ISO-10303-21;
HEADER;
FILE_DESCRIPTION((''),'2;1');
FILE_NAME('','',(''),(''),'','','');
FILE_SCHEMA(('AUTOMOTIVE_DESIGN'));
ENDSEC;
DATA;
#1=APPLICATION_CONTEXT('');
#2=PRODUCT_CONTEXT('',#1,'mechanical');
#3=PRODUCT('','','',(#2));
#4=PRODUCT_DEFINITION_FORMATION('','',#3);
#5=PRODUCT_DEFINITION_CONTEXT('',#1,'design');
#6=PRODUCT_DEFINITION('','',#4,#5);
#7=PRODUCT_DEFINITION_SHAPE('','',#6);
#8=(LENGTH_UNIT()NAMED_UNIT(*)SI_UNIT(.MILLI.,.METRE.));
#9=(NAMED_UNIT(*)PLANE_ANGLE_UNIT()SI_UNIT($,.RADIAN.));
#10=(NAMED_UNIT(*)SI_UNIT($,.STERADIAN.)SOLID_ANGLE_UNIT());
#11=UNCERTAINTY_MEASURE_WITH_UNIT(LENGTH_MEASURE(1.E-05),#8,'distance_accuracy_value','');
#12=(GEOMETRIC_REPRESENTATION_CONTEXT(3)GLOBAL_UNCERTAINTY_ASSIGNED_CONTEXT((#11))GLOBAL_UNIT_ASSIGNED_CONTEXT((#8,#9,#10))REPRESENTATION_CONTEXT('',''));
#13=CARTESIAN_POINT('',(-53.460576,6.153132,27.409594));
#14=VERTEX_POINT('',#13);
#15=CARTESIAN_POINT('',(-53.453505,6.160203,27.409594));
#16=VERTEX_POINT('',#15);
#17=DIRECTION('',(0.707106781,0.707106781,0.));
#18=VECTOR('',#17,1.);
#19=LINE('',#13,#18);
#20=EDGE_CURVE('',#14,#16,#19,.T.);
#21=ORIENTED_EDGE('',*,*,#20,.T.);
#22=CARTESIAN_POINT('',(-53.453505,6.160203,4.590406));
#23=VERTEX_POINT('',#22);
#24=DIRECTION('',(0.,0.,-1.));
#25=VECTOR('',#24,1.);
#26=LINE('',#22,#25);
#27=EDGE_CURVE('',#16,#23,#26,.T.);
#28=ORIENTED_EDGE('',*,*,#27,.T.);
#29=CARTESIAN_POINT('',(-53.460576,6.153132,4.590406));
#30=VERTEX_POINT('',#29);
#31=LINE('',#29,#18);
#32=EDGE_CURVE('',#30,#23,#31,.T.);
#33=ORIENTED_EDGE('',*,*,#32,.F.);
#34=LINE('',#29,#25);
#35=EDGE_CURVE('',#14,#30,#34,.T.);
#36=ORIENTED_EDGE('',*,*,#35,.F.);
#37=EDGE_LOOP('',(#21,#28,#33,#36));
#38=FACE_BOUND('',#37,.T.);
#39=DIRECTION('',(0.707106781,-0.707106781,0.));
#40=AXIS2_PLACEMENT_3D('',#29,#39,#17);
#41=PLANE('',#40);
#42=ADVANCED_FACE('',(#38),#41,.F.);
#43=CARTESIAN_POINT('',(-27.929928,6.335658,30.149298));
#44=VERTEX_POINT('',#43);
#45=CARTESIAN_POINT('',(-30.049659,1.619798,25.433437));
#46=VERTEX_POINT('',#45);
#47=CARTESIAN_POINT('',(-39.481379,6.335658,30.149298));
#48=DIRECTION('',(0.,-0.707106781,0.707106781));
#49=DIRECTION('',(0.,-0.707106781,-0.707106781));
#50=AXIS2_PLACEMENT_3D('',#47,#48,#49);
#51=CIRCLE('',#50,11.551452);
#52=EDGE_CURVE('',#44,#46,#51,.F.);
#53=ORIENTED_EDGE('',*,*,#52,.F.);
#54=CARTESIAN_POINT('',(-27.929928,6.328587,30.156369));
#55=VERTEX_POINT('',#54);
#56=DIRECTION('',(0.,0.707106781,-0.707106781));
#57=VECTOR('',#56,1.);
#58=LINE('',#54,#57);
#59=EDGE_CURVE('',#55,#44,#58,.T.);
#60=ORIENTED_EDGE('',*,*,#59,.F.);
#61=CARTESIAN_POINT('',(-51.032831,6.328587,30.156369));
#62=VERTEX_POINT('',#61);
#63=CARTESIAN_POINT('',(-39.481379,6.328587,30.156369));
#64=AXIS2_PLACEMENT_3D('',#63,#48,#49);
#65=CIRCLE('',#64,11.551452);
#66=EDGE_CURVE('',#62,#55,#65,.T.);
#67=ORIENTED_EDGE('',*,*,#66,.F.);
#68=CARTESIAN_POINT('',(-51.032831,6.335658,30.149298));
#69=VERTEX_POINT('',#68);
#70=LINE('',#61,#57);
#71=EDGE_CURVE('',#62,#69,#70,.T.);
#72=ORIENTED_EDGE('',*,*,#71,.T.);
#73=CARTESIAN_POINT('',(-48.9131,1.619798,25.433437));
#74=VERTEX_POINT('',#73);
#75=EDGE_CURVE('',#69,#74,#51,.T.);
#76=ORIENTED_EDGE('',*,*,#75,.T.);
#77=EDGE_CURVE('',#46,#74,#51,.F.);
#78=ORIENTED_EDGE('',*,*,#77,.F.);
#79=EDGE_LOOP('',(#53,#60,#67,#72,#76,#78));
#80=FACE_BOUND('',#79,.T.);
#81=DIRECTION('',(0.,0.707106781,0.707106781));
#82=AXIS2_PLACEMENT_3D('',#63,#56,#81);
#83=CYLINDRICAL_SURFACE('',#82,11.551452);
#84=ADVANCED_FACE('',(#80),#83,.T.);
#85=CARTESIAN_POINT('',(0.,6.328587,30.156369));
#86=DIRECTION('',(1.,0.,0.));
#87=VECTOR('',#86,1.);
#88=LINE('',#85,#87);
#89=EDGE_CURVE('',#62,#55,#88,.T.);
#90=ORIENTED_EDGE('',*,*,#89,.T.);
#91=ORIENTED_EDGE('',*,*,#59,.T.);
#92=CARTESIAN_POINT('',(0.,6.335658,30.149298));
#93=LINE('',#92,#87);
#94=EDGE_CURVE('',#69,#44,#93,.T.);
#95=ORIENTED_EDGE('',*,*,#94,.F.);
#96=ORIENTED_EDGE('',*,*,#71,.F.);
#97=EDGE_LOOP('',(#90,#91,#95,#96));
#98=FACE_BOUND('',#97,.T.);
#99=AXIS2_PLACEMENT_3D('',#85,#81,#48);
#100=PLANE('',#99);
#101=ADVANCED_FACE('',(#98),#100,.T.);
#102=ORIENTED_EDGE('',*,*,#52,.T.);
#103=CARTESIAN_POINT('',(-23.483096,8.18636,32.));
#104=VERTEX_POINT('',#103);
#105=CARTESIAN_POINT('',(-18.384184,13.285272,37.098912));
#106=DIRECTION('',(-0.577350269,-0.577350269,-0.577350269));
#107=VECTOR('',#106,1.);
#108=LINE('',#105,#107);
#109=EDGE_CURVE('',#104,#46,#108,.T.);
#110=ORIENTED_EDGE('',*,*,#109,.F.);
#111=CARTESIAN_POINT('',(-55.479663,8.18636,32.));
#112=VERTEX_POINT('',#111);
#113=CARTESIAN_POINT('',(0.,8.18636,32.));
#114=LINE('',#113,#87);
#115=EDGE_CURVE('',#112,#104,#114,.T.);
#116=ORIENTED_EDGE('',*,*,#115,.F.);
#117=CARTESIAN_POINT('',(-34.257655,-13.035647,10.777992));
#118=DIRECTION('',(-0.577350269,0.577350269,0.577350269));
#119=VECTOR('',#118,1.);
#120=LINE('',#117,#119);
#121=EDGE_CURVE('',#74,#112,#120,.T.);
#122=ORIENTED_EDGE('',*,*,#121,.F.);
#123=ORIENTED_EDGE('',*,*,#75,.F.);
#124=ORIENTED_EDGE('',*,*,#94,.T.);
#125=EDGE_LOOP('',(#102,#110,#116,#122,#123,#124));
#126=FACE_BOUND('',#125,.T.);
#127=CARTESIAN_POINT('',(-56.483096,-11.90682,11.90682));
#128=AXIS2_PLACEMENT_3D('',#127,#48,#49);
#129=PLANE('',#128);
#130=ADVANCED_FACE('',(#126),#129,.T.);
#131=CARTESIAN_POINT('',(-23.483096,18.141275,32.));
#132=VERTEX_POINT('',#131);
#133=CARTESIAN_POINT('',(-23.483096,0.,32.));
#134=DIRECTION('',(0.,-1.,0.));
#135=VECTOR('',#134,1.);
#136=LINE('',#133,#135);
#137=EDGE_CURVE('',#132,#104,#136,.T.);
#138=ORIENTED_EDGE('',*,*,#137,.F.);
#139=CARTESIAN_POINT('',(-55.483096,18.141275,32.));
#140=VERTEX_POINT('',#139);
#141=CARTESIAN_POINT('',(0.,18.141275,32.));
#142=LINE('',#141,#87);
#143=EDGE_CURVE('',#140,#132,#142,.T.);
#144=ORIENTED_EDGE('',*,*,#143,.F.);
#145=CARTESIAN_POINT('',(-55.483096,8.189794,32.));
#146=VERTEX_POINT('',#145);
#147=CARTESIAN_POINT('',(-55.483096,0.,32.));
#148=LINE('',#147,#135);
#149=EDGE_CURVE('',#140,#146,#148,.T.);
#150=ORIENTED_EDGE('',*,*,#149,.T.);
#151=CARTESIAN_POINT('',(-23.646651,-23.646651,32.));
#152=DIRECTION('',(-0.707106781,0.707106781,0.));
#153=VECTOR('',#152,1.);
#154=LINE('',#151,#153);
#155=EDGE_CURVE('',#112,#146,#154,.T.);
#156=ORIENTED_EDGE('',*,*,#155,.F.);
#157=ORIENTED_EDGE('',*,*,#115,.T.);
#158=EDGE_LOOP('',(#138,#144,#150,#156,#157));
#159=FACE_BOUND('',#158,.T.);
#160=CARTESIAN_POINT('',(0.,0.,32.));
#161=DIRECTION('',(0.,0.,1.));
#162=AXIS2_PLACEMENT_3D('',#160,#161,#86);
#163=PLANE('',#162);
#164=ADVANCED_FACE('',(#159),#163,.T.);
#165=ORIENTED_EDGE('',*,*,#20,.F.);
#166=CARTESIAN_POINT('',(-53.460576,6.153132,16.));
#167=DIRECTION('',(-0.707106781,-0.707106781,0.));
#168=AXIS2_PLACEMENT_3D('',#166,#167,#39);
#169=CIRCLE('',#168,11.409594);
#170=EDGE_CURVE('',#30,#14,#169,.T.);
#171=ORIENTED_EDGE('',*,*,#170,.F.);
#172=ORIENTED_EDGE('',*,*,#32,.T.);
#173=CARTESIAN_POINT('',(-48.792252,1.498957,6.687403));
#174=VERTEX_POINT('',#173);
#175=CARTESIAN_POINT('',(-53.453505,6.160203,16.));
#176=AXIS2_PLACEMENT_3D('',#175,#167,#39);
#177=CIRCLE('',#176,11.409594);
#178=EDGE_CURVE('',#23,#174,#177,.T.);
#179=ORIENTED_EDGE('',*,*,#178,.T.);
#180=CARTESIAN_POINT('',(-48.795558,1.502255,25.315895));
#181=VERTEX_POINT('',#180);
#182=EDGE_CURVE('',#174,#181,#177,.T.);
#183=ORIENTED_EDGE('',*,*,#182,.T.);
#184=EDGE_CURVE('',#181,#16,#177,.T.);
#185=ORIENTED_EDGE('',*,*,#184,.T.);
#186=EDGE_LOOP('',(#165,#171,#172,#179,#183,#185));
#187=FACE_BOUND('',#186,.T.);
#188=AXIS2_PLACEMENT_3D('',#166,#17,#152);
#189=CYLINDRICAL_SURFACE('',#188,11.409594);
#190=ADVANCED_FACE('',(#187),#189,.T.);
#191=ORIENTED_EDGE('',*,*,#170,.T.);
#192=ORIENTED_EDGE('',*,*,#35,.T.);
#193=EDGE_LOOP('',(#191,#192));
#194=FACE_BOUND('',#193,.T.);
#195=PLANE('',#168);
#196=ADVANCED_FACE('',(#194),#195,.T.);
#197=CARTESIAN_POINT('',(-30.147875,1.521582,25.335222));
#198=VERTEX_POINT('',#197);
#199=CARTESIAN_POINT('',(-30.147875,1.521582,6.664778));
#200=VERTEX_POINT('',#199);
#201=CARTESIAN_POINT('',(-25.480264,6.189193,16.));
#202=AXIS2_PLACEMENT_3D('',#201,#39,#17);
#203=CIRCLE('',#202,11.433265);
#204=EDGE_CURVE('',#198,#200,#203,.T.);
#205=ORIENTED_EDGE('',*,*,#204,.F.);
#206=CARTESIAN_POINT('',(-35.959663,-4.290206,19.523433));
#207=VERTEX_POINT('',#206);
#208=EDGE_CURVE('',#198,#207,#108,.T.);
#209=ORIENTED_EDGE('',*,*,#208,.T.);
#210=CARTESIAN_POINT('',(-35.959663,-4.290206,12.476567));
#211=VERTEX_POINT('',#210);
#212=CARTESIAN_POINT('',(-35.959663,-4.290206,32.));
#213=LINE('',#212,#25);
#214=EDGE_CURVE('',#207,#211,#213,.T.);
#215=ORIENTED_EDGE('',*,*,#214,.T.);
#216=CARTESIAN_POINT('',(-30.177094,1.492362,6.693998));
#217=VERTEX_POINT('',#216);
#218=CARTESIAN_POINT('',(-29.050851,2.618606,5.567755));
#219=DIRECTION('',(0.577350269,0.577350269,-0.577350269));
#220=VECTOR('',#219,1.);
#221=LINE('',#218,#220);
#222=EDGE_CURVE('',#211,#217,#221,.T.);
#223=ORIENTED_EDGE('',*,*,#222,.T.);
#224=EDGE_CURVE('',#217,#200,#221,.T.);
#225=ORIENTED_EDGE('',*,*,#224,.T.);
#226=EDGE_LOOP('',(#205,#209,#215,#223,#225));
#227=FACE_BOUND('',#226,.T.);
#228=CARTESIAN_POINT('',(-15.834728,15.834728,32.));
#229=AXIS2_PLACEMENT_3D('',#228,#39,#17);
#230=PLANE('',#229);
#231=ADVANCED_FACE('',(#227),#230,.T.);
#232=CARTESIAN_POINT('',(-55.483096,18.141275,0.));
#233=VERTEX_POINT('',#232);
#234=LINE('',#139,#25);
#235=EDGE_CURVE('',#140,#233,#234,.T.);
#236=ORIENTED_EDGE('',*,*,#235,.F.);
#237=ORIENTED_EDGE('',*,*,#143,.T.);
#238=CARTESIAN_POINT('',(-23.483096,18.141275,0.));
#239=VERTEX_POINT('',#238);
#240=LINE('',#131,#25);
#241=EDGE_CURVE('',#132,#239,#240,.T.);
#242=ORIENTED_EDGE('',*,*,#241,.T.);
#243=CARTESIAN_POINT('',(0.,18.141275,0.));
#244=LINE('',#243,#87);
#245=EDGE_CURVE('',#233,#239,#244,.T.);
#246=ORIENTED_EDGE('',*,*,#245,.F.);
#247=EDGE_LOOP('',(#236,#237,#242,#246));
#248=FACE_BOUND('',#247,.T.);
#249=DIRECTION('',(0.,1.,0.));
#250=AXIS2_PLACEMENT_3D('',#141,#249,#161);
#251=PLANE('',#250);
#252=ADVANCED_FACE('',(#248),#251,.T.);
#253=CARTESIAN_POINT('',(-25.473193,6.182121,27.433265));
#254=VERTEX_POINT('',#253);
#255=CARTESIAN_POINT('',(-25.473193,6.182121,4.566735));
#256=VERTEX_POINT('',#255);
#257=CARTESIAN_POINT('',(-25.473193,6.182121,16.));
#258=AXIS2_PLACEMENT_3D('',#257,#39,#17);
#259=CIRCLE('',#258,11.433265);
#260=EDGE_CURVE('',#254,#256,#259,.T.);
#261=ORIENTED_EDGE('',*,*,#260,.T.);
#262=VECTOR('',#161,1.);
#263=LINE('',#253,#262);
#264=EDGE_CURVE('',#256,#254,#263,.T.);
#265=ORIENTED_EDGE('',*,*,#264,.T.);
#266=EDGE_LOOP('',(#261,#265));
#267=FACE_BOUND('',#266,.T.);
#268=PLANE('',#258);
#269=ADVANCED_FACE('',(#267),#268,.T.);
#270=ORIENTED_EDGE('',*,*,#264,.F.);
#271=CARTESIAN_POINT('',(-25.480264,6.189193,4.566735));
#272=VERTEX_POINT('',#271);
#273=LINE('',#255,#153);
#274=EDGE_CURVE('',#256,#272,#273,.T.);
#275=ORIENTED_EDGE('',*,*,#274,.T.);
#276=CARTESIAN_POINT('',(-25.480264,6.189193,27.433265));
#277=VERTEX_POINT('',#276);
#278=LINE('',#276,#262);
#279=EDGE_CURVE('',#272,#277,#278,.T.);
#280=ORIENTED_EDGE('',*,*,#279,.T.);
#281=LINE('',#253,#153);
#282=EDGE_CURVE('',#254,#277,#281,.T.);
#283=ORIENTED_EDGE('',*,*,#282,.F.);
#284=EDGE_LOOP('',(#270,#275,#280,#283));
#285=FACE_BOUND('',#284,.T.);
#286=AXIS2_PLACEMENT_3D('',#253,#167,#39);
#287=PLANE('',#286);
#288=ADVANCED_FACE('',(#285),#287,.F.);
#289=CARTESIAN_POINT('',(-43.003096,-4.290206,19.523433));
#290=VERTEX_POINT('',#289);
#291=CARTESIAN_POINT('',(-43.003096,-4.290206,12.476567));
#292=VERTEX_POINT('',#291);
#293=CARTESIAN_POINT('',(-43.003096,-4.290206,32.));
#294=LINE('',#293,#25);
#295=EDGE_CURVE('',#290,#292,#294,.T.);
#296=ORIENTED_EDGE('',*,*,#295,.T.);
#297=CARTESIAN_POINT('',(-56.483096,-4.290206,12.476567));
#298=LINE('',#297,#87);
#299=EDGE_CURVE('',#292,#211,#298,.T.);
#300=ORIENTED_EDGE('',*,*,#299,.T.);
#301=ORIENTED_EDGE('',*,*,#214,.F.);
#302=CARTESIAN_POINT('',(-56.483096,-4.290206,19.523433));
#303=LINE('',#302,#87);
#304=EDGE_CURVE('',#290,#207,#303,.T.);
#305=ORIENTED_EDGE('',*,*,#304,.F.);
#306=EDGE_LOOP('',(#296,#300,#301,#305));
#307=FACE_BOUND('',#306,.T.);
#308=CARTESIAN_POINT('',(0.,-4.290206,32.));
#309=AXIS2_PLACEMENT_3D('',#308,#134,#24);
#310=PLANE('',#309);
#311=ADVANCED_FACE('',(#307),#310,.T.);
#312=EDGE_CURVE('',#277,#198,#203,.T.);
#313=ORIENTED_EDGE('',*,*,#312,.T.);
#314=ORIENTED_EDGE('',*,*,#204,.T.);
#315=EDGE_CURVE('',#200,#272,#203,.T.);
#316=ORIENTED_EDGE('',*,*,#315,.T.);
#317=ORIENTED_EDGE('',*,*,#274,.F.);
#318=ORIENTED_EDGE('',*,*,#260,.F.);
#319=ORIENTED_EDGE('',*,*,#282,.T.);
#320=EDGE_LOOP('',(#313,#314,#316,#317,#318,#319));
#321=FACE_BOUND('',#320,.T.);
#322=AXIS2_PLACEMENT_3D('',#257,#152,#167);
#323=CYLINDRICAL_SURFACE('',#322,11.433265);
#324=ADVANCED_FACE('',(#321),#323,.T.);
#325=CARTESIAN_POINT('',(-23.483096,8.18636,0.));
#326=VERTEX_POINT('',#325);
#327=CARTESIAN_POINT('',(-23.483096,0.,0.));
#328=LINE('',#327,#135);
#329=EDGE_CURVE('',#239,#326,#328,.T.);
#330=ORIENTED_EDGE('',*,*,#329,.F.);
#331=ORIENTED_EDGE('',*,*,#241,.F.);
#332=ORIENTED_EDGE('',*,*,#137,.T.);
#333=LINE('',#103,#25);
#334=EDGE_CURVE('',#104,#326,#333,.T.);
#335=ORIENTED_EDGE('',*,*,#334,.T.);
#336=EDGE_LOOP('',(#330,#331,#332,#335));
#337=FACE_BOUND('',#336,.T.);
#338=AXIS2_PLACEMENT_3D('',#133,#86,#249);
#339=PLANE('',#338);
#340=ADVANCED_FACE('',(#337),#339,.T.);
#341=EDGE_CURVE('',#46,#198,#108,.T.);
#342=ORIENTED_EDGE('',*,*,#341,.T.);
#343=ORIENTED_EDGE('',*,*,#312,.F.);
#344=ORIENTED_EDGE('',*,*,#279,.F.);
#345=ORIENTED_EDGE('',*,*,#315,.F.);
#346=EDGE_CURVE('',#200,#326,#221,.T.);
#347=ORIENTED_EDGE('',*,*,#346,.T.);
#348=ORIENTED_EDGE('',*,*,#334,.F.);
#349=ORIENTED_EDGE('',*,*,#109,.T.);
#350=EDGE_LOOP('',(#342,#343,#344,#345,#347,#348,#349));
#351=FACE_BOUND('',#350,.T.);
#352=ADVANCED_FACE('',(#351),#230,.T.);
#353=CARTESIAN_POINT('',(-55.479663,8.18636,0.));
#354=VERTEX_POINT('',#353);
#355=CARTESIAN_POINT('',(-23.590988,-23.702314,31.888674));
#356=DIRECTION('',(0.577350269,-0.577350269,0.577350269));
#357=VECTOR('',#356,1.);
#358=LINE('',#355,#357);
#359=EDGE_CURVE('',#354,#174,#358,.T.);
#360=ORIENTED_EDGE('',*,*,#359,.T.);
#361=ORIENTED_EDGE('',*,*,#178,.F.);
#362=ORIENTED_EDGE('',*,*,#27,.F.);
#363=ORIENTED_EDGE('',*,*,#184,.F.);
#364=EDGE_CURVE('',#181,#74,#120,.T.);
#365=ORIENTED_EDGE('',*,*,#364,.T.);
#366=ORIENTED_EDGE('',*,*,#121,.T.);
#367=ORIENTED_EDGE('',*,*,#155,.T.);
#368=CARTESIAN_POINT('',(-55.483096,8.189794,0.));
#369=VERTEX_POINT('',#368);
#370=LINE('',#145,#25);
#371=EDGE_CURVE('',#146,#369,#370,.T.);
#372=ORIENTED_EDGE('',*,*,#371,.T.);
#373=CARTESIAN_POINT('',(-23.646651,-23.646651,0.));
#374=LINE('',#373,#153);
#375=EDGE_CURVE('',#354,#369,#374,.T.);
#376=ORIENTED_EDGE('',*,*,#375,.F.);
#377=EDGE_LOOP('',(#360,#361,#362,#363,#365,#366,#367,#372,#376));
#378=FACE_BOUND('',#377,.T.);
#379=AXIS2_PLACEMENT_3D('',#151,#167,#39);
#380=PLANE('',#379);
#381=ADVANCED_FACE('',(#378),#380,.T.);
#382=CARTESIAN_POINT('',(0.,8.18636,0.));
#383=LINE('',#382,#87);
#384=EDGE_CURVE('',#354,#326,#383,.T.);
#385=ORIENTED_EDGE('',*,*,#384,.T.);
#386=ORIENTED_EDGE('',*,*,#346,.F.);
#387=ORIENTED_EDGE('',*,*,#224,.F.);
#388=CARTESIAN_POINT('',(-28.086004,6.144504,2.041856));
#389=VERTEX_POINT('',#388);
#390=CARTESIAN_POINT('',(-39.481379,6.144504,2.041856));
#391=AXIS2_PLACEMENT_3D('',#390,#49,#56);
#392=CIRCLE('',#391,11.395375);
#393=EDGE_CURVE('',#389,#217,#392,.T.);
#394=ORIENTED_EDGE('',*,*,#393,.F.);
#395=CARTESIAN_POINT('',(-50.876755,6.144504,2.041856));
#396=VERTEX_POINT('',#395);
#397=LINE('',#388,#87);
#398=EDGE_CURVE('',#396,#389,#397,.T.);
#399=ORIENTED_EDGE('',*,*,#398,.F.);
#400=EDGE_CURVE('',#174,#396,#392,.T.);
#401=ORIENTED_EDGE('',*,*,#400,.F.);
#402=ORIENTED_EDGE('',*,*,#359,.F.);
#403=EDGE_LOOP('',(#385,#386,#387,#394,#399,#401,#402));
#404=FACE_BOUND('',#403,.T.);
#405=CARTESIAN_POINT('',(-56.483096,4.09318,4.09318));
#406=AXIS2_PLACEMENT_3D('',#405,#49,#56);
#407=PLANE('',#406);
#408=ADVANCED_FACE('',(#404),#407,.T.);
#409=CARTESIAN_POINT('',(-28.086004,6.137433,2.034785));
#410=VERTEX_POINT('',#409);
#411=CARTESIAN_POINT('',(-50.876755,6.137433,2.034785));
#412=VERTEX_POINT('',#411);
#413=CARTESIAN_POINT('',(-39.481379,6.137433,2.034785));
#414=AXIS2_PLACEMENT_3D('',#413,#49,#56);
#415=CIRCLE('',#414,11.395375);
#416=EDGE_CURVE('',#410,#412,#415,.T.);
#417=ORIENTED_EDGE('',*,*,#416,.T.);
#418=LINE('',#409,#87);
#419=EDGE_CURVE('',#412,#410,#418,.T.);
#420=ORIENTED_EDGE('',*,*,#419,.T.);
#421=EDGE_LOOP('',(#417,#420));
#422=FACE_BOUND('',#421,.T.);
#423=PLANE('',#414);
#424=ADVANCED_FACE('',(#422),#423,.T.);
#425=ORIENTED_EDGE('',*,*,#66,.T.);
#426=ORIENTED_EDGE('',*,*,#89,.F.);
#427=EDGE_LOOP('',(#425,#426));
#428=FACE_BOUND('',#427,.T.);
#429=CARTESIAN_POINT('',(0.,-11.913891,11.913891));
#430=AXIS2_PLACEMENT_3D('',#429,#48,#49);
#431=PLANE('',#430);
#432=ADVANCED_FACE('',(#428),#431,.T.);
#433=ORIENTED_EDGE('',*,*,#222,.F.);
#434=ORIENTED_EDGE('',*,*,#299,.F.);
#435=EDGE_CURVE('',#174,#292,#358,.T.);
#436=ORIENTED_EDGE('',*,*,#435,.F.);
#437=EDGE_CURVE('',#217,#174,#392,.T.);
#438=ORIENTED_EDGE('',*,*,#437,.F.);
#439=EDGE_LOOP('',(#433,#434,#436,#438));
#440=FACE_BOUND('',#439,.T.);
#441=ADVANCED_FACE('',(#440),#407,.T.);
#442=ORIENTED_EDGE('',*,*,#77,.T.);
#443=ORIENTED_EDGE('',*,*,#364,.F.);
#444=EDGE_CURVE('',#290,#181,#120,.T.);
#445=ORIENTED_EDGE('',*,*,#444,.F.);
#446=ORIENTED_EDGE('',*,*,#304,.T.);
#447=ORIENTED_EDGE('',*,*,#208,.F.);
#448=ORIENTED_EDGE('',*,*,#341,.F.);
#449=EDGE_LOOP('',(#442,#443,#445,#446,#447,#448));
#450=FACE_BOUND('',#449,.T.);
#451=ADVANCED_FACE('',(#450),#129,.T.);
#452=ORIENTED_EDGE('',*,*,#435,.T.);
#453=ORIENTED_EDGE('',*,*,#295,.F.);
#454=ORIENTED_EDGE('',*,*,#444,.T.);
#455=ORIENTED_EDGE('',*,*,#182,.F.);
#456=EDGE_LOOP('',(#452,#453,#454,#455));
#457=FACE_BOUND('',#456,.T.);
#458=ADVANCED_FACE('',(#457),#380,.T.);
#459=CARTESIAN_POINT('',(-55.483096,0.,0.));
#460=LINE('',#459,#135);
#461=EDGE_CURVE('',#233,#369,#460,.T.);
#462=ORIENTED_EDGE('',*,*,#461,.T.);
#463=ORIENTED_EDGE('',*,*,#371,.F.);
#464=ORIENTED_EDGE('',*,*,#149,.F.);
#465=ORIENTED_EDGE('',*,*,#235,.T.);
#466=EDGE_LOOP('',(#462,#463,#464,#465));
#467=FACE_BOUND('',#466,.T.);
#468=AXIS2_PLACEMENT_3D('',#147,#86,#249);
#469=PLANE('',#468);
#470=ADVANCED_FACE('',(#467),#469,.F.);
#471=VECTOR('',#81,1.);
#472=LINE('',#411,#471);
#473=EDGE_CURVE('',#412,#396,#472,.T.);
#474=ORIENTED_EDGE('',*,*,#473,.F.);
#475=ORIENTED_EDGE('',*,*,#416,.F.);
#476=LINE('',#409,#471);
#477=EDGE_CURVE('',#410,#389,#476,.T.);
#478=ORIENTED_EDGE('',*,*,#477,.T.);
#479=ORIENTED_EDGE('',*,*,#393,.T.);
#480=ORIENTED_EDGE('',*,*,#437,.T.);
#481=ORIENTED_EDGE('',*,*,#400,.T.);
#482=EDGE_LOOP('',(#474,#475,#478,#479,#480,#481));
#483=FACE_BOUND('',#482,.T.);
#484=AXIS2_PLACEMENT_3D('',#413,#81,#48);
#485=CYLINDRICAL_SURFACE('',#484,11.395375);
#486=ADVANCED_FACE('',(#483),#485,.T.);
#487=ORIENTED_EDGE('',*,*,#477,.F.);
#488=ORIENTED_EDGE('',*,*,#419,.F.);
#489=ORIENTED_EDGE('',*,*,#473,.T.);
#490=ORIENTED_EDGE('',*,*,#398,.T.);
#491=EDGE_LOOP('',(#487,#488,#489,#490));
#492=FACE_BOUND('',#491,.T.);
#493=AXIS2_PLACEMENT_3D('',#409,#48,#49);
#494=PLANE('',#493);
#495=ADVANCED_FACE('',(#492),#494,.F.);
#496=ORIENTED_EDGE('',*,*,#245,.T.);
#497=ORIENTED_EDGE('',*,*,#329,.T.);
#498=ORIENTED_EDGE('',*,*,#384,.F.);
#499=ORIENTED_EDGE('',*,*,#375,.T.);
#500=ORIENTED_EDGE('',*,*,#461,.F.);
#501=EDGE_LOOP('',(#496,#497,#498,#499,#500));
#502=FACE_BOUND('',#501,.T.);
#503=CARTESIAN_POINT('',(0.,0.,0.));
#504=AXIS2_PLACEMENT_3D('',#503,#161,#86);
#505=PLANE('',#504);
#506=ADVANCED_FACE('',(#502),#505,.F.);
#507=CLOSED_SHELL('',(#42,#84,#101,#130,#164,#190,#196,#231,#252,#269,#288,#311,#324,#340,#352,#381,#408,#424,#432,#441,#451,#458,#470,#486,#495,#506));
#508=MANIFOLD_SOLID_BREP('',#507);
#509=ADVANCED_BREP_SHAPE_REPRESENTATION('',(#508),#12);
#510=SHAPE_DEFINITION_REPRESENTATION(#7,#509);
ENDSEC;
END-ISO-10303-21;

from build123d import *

# Parameters (mm, degrees)
SALIENTE_EXTRUIR1_DEPTH = 32
CORTAR_EXTRUIR2_DEPTH   = 33
SALIENTE_EXTRUIR2_DEPTH = 0.01
SALIENTE_EXTRUIR3_DEPTH = 0.01
SALIENTE_EXTRUIR5_DEPTH = 0.01
SALIENTE_EXTRUIR6_DEPTH = 0.01


with BuildPart() as part:
    # Croquis1 → Saliente-Extruir1 (new body)
    with BuildSketch(Plane.XY):
        Polygon((-23.483096056, 8.186360271), (-55.483096056, 8.189793686), (-55.483096056, 18.141275036), (-23.483096056, 18.141275036), align=None)
        Polygon((-23.483096056, 8.186360271), (-35.959662641, -4.290206314), (-43.003096056, -4.290206314), (-55.483096056, 8.189793686), align=None)
    extrude(amount=SALIENTE_EXTRUIR1_DEPTH)

    # Croquis2 → Cortar-Extruir2 (cut)
    with BuildSketch(Plane(origin=(-23.483096056, 0, 0), x_dir=(0, 0, -1), z_dir=(1, 0, 0))):
        Polygon((-12.476566586, -4.290206314), (0, -4.290206314), (0, 8.186360271), align=None)
        Polygon((-32, -4.290206314), (-32, 8.186360271), (-19.523433414, -4.290206314), align=None)
    extrude(amount=-CORTAR_EXTRUIR2_DEPTH, mode=Mode.SUBTRACT)

    # Croquis3 → Saliente-Extruir2 (add)
    with BuildSketch(Plane(origin=(0, 4.093180136, 4.093180136), x_dir=(-1, 0, 0), z_dir=(0, -0.707106781, -0.707106781))):
        with BuildLine():
            Line((28.08600417, 2.901010434), (50.876754527, 2.901010434))
            ThreePointArc((50.876754527, 2.901010434), (39.481379348, -8.494364744), (28.08600417, 2.901010434))
        make_face()
    extrude(amount=SALIENTE_EXTRUIR2_DEPTH)

    # Croquis4 → Saliente-Extruir3 (add)
    with BuildSketch(Plane(origin=(-15.834728163, 15.834728163, 0), x_dir=(-0.707106781, -0.707106781, 0), z_dir=(0.707106781, -0.707106781, 0))):
        with BuildLine():
            Line((13.640847296, -27.43326467), (13.640847296, -4.56673533))
            ThreePointArc((13.640847296, -4.56673533), (25.074111966, -16), (13.640847296, -27.43326467))
        make_face()
    extrude(amount=SALIENTE_EXTRUIR3_DEPTH)

    # Croquis5 → Saliente-Extruir5 (add)
    with BuildSketch(Plane(origin=(0, -11.906819864, 11.906819864), x_dir=(1, 0, 0), z_dir=(0, -0.707106781, 0.707106781))):
        with BuildLine():
            Line((-27.929927847, 25.798759553), (-39.481379348, 25.798759553))
            Line((-39.481379348, 25.798759553), (-51.03283085, 25.798759553))
            ThreePointArc((-51.03283085, 25.798759553), (-39.481379348, 14.247308052), (-27.929927847, 25.798759553))
        make_face()
    extrude(amount=SALIENTE_EXTRUIR5_DEPTH)

    # Croquis6 → Saliente-Extruir6 (add)
    with BuildSketch(Plane(origin=(-23.646651185, -23.646651185, 0), x_dir=(-0.707106781, 0.707106781, 0), z_dir=(-0.707106781, -0.707106781, 0))):
        with BuildLine():
            Line((42.153256878, -4.590405514), (42.153256878, -27.409594486))
            ThreePointArc((42.153256878, -27.409594486), (30.743662392, -16), (42.153256878, -4.590405514))
        make_face()
    extrude(amount=SALIENTE_EXTRUIR6_DEPTH)


solid = part.part
